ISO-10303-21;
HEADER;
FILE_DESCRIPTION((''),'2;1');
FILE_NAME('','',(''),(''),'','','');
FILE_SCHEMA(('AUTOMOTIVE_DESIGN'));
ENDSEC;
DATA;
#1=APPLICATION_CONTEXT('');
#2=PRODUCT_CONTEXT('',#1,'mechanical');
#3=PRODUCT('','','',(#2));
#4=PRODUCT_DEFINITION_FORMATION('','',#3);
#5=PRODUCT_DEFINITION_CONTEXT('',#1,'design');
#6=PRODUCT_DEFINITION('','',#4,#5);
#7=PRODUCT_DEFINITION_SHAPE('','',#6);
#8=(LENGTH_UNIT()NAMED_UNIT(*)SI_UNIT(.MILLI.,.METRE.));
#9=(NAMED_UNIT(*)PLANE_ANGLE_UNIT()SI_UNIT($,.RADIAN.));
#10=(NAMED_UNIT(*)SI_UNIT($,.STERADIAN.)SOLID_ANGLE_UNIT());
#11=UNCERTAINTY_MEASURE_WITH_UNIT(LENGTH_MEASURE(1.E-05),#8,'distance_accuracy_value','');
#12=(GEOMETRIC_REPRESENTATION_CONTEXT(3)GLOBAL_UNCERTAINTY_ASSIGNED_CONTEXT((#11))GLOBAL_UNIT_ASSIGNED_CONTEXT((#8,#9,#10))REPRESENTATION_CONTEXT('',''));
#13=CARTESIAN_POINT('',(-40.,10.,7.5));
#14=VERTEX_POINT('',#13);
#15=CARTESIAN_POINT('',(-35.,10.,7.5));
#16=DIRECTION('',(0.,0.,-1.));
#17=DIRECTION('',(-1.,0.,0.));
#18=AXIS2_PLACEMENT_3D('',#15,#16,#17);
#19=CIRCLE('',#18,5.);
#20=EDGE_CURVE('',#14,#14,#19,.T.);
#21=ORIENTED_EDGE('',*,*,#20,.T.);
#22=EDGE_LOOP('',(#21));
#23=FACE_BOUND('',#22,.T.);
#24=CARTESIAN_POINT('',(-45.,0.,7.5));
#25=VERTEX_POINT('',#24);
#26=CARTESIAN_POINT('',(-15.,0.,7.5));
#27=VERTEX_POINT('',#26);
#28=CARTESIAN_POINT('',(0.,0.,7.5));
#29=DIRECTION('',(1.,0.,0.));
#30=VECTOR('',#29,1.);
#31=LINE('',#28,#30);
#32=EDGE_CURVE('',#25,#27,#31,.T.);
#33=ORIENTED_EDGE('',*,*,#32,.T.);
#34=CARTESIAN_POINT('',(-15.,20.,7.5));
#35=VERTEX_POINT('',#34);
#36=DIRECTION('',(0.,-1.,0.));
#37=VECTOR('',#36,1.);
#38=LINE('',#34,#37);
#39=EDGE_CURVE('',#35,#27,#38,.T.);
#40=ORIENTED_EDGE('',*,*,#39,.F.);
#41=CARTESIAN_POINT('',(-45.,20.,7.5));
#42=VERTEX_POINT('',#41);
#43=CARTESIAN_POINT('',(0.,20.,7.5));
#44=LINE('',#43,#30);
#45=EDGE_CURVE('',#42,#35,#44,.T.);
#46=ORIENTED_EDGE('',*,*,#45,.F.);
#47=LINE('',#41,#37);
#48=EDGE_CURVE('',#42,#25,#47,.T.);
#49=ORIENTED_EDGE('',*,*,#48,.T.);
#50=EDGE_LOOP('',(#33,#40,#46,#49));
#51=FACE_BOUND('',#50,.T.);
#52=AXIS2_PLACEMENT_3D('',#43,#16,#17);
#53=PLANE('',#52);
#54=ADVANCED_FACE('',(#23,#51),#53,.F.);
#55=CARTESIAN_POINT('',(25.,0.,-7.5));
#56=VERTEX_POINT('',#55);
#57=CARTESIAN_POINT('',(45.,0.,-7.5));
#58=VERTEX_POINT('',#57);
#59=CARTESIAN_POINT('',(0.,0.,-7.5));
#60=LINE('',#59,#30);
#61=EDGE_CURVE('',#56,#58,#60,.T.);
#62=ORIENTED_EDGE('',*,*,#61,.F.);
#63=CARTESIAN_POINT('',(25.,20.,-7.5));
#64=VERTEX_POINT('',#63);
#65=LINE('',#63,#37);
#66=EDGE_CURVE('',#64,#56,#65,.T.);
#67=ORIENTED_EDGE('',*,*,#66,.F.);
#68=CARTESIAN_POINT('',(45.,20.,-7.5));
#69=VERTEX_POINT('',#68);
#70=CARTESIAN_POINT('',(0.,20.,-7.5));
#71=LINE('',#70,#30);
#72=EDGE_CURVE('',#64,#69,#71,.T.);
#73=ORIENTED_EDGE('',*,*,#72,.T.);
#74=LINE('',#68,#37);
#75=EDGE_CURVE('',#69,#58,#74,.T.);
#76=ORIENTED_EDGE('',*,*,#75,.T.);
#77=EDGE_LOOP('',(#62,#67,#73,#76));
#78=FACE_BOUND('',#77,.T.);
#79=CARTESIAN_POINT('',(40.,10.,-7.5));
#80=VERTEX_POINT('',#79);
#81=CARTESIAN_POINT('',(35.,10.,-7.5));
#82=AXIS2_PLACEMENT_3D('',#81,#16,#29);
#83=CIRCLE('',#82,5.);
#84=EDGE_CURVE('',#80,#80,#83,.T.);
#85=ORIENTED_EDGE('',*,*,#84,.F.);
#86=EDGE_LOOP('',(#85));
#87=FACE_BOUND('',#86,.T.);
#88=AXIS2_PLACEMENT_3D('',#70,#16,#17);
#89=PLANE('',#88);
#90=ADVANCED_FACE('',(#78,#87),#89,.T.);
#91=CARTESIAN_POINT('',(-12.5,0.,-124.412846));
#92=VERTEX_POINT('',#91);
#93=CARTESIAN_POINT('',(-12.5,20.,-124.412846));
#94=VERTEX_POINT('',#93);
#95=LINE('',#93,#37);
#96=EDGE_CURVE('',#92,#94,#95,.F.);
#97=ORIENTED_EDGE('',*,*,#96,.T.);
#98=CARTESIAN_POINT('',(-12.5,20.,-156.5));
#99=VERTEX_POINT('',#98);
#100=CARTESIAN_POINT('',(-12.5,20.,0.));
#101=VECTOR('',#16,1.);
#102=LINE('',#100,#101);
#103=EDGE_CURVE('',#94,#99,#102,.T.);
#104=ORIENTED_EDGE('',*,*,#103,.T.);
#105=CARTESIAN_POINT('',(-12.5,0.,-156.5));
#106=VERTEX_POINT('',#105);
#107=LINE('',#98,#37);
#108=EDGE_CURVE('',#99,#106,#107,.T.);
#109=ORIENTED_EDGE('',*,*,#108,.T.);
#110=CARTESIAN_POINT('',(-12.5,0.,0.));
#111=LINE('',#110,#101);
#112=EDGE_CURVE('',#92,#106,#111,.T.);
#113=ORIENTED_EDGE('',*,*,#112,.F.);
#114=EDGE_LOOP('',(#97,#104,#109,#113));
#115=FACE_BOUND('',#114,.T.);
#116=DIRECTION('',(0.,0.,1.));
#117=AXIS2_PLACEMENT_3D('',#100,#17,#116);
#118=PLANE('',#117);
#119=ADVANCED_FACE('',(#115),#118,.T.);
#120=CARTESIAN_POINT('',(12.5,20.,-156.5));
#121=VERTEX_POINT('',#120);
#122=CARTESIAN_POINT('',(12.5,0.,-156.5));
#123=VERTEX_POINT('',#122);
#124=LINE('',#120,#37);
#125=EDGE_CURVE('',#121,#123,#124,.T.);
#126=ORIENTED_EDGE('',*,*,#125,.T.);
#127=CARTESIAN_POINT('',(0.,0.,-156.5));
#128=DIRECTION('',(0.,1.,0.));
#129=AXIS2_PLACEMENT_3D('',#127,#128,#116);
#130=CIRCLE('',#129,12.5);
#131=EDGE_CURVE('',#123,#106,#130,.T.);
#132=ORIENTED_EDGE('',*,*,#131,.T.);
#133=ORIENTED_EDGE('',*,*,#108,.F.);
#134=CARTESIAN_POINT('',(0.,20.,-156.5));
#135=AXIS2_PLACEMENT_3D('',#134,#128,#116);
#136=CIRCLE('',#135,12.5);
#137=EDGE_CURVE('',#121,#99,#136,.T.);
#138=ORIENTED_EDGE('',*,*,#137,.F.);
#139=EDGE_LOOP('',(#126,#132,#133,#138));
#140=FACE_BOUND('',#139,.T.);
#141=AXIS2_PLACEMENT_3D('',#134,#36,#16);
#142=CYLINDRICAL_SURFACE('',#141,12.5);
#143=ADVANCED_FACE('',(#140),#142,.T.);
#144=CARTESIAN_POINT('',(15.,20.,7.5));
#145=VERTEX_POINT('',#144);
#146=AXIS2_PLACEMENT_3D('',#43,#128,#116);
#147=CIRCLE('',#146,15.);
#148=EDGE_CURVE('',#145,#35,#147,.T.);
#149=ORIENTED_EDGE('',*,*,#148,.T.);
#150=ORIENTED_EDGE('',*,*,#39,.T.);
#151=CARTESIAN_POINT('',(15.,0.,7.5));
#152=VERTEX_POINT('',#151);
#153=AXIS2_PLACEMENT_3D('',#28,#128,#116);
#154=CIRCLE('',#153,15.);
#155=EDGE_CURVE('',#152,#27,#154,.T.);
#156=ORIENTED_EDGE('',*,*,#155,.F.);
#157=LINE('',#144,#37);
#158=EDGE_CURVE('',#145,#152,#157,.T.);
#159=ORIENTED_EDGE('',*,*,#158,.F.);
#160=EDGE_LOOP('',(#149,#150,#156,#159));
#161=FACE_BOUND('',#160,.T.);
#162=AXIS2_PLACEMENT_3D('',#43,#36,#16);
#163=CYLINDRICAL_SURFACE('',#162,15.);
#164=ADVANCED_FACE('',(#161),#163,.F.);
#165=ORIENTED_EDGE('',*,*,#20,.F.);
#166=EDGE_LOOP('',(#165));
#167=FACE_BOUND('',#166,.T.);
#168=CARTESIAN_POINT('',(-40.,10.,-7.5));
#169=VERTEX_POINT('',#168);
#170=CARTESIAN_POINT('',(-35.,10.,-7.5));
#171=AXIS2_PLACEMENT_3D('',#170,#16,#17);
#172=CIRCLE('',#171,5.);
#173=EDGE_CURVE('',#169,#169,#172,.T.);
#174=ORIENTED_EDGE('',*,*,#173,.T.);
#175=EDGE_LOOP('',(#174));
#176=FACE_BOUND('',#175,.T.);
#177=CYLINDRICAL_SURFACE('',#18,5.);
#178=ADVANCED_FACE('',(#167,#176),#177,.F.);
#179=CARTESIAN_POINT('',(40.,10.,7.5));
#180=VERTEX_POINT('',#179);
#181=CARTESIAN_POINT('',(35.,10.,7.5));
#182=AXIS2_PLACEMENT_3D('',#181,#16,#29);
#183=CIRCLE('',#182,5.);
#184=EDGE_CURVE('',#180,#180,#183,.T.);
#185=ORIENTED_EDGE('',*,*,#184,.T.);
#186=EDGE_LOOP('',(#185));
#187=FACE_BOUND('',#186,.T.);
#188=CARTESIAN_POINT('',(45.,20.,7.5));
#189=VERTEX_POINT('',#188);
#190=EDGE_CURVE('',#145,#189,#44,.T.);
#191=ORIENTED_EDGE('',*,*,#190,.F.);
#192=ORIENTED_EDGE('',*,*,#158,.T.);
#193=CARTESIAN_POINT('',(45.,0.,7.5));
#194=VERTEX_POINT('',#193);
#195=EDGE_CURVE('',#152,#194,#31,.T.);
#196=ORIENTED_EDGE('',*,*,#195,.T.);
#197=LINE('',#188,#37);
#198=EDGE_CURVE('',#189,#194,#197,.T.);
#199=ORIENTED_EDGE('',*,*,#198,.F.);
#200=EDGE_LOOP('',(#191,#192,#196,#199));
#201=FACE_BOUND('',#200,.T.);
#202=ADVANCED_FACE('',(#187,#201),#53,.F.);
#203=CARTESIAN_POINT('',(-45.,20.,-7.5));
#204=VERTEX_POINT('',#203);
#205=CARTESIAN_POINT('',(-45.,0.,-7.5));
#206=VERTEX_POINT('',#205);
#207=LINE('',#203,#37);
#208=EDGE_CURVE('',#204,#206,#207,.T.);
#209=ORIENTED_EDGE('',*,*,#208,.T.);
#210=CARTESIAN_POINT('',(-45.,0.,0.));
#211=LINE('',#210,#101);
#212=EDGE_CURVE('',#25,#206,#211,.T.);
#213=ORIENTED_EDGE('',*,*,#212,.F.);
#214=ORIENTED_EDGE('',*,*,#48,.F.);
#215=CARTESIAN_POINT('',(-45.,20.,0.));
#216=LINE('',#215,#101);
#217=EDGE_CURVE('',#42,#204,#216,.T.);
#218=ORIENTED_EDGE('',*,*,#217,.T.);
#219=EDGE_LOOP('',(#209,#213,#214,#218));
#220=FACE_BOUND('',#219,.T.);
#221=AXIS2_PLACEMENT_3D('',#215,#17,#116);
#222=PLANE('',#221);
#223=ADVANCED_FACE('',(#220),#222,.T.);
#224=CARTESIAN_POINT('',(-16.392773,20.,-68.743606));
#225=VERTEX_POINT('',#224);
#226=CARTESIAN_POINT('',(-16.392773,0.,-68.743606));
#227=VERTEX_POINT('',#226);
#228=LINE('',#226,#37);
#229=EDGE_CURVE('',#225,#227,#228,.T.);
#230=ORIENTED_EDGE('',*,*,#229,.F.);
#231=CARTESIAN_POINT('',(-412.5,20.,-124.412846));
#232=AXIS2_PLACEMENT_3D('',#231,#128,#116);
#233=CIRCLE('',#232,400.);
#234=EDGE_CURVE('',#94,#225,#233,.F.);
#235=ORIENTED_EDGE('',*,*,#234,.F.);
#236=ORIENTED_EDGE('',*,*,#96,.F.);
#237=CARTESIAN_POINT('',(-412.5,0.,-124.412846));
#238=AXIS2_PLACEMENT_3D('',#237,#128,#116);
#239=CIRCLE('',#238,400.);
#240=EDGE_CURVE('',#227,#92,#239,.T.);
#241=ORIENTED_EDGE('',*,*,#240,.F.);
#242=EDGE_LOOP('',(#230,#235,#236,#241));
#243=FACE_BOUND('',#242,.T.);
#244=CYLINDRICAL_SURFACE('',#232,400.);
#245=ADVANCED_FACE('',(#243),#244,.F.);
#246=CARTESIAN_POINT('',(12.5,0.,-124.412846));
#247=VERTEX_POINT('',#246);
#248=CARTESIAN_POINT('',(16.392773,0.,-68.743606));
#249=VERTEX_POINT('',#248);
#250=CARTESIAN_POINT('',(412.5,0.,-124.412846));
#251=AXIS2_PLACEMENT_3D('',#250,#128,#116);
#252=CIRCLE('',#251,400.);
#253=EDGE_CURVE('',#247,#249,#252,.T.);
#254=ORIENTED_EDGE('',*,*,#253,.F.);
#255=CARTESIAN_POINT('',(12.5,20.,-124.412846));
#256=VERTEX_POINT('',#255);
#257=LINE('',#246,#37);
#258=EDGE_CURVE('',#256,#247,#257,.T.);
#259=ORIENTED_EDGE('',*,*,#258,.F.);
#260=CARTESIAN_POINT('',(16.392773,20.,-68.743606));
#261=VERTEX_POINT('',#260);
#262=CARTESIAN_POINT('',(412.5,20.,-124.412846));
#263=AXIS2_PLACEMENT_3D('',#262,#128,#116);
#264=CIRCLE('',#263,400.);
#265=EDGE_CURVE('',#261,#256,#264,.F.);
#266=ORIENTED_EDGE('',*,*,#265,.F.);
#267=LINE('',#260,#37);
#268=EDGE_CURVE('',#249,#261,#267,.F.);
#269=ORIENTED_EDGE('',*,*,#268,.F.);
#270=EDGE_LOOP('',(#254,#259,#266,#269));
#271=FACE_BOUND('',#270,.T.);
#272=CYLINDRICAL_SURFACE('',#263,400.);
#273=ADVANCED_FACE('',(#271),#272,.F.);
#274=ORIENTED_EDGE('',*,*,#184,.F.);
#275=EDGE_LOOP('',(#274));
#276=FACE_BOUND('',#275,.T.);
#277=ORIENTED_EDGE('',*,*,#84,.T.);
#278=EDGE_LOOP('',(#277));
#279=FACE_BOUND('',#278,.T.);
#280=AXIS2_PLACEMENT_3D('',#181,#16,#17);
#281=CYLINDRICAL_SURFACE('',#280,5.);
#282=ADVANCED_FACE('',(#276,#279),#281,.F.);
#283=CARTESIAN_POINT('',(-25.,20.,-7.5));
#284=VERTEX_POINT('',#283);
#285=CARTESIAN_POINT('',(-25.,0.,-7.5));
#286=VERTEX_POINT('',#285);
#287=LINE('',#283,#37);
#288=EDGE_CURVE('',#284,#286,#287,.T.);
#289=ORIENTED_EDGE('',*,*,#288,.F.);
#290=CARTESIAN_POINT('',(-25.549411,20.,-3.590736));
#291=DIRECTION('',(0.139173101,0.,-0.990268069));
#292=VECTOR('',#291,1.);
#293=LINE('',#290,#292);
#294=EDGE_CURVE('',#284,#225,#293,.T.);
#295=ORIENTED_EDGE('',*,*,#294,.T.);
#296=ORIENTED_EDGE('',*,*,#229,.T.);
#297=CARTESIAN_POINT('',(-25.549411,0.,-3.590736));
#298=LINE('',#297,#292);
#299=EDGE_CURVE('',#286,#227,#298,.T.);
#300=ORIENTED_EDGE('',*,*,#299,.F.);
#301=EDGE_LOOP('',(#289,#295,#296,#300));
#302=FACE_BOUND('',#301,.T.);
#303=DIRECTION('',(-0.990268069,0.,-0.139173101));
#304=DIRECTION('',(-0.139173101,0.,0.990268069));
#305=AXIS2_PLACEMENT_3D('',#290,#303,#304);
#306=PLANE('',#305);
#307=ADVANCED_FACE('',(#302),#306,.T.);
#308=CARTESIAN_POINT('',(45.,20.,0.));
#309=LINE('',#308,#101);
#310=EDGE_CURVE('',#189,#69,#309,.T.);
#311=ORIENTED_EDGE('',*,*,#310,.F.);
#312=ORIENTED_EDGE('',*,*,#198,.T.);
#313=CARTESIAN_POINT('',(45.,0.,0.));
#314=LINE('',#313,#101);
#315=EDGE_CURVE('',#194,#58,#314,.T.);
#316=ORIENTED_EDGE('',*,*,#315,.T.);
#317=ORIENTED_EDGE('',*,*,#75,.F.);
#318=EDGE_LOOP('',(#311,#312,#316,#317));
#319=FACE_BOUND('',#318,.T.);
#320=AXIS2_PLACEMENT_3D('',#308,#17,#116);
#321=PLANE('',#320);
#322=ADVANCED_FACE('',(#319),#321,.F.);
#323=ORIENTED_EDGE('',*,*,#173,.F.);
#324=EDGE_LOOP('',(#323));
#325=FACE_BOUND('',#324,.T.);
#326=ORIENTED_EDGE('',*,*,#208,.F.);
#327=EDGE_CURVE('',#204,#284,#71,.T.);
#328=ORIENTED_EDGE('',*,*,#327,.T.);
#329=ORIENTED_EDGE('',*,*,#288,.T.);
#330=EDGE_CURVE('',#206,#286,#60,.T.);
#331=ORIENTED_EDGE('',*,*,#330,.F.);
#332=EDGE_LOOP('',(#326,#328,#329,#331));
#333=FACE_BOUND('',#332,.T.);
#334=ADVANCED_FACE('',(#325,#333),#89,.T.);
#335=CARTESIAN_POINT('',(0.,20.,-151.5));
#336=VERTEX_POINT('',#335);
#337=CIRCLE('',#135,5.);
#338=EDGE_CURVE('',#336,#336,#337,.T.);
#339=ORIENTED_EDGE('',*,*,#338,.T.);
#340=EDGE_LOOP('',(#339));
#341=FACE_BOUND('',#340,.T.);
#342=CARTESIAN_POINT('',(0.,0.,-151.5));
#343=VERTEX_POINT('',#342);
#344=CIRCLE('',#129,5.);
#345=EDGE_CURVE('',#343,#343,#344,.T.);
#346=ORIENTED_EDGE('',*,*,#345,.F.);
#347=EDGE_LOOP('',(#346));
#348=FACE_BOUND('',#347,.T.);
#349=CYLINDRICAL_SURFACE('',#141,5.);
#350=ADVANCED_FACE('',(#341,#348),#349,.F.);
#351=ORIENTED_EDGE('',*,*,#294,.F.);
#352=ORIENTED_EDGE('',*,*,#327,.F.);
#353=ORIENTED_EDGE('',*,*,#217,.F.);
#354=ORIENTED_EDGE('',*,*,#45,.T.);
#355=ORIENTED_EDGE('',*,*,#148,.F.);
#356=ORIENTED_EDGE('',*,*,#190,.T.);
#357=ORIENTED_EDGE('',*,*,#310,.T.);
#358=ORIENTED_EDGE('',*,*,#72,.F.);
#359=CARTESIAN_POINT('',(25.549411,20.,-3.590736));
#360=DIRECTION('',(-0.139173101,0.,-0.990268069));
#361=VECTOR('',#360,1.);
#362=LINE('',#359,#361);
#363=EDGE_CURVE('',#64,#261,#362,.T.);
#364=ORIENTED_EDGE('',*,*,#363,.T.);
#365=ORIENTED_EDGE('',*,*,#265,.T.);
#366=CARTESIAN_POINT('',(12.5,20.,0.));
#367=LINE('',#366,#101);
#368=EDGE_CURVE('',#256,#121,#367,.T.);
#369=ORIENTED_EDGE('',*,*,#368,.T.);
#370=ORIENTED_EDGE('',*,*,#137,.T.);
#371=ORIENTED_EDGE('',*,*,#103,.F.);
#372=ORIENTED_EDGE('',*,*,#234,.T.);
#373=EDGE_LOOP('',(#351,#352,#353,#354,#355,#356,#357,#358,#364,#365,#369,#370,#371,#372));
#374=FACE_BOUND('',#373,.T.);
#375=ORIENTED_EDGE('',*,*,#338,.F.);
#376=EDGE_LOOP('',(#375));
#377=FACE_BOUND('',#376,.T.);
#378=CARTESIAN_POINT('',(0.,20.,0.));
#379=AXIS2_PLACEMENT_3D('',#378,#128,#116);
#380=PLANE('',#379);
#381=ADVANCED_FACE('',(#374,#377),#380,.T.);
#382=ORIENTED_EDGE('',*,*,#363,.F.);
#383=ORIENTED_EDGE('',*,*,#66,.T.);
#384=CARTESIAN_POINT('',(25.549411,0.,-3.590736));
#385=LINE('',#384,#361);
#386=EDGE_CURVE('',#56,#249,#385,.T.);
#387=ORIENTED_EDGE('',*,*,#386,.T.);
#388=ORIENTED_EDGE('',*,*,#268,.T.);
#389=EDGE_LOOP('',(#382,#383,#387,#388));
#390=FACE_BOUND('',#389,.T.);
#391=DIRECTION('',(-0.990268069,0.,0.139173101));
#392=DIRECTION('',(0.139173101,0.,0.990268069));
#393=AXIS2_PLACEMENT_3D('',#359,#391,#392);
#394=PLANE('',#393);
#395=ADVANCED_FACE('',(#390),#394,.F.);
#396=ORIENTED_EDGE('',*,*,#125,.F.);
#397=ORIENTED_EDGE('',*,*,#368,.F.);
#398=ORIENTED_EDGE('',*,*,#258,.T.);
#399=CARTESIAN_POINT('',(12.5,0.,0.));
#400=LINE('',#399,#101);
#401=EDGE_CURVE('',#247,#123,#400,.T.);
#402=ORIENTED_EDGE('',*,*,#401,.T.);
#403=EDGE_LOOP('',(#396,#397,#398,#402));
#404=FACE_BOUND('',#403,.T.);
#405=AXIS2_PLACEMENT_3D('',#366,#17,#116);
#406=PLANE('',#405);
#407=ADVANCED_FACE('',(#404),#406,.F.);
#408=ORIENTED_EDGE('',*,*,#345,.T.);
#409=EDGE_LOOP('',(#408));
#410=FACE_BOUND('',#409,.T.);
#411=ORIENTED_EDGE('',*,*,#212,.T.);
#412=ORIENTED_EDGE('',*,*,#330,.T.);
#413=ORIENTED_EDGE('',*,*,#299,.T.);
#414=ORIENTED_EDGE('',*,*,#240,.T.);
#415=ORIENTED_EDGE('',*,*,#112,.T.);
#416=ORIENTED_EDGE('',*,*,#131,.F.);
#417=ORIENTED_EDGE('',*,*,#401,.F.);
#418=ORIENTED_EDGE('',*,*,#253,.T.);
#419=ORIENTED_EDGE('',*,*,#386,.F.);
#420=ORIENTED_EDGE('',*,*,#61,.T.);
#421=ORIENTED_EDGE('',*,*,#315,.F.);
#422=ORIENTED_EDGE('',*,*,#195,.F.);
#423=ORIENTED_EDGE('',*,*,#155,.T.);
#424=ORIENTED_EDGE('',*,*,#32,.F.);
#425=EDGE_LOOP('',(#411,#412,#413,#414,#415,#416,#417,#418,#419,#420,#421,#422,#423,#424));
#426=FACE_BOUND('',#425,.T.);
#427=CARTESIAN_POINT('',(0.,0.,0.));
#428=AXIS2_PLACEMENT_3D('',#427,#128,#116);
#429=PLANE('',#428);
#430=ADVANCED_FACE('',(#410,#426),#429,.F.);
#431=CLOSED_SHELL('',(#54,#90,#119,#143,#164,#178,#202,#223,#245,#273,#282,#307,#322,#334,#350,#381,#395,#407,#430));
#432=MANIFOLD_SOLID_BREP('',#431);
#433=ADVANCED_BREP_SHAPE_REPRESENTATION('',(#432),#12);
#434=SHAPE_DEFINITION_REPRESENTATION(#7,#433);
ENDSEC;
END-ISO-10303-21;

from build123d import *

# Parameters (mm, degrees)
BOSS_EXTRUDE1_DEPTH = 20
SKETCH2_R           = 5
CUT_EXTRUDE1_DEPTH  = 16
FILLET1_R           = 400


with BuildPart() as part:
    # Sketch1 → Boss-Extrude1 (new body)
    with BuildSketch(Plane(origin=(0, 0, 0), x_dir=(1, 0, 0), z_dir=(0, 1, 0))):
        with BuildLine():
            ThreePointArc((12.5, 156.5), (0, 169), (-12.5, 156.5))
            Line((-12.5, 156.5), (-5, 156.5))
            ThreePointArc((-5, 156.5), (0, 161.5), (5, 156.5))
            Line((5, 156.5), (12.5, 156.5))
        make_face()
        with BuildLine():
            Line((-5, 156.5), (-12.5, 156.5))
            ThreePointArc((-12.5, 156.5), (0, 144), (12.5, 156.5))
            Line((12.5, 156.5), (5, 156.5))
            ThreePointArc((5, 156.5), (0, 151.5), (-5, 156.5))
        make_face()
        with BuildLine():
            Line((-12.5, 156.5), (-12.5, 96.44212153))
            Line((-12.5, 96.44212153), (12.5, 96.44212153))
            Line((12.5, 96.44212153), (12.5, 156.5))
            ThreePointArc((12.5, 156.5), (0, 144), (-12.5, 156.5))
        make_face()
        Polygon((-12.5, 96.44212153), (-25, 7.5), (-2.3e-08, 7.5), (25, 7.5), (12.5, 96.44212153), align=None)
        with BuildLine():
            Line((-2.3e-08, 7.5), (-25, 7.5))
            Line((-25, 7.5), (-45, 7.5))
            Line((-45, 7.5), (-45, -7.5))
            Line((-45, -7.5), (-15, -7.5))
            ThreePointArc((-15, -7.5), (-10.606601726, 3.10660171), (-2.3e-08, 7.5))
        make_face()
        with BuildLine():
            Line((25, 7.5), (-2.3e-08, 7.5))
            ThreePointArc((-2.3e-08, 7.5), (10.60660171, 3.106601726), (15, -7.5))
            Line((15, -7.5), (45, -7.5))
            Line((45, -7.5), (45, 7.5))
            Line((45, 7.5), (25, 7.5))
        make_face()
    extrude(amount=BOSS_EXTRUDE1_DEPTH)

    # Sketch2 → Cut-Extrude1 (cut, through all)
    with BuildSketch(Plane(origin=(0, 0, -7.5), x_dir=(-1, 0, 0), z_dir=(0, 0, -1))):
        with Locations((35, 10)):
            Circle(SKETCH2_R)
        with Locations((-35, 10)):
            Circle(SKETCH2_R)
    extrude(amount=-CUT_EXTRUDE1_DEPTH, mode=Mode.SUBTRACT)

    # Fillet1
    fillet1_edges = [part.edges().sort_by_distance(p)[0] for p in [
        (12.5, 10, -96.44212153),
        (-12.5, 10, -96.44212153),
    ]]
    fillet(fillet1_edges, radius=FILLET1_R)


solid = part.part
